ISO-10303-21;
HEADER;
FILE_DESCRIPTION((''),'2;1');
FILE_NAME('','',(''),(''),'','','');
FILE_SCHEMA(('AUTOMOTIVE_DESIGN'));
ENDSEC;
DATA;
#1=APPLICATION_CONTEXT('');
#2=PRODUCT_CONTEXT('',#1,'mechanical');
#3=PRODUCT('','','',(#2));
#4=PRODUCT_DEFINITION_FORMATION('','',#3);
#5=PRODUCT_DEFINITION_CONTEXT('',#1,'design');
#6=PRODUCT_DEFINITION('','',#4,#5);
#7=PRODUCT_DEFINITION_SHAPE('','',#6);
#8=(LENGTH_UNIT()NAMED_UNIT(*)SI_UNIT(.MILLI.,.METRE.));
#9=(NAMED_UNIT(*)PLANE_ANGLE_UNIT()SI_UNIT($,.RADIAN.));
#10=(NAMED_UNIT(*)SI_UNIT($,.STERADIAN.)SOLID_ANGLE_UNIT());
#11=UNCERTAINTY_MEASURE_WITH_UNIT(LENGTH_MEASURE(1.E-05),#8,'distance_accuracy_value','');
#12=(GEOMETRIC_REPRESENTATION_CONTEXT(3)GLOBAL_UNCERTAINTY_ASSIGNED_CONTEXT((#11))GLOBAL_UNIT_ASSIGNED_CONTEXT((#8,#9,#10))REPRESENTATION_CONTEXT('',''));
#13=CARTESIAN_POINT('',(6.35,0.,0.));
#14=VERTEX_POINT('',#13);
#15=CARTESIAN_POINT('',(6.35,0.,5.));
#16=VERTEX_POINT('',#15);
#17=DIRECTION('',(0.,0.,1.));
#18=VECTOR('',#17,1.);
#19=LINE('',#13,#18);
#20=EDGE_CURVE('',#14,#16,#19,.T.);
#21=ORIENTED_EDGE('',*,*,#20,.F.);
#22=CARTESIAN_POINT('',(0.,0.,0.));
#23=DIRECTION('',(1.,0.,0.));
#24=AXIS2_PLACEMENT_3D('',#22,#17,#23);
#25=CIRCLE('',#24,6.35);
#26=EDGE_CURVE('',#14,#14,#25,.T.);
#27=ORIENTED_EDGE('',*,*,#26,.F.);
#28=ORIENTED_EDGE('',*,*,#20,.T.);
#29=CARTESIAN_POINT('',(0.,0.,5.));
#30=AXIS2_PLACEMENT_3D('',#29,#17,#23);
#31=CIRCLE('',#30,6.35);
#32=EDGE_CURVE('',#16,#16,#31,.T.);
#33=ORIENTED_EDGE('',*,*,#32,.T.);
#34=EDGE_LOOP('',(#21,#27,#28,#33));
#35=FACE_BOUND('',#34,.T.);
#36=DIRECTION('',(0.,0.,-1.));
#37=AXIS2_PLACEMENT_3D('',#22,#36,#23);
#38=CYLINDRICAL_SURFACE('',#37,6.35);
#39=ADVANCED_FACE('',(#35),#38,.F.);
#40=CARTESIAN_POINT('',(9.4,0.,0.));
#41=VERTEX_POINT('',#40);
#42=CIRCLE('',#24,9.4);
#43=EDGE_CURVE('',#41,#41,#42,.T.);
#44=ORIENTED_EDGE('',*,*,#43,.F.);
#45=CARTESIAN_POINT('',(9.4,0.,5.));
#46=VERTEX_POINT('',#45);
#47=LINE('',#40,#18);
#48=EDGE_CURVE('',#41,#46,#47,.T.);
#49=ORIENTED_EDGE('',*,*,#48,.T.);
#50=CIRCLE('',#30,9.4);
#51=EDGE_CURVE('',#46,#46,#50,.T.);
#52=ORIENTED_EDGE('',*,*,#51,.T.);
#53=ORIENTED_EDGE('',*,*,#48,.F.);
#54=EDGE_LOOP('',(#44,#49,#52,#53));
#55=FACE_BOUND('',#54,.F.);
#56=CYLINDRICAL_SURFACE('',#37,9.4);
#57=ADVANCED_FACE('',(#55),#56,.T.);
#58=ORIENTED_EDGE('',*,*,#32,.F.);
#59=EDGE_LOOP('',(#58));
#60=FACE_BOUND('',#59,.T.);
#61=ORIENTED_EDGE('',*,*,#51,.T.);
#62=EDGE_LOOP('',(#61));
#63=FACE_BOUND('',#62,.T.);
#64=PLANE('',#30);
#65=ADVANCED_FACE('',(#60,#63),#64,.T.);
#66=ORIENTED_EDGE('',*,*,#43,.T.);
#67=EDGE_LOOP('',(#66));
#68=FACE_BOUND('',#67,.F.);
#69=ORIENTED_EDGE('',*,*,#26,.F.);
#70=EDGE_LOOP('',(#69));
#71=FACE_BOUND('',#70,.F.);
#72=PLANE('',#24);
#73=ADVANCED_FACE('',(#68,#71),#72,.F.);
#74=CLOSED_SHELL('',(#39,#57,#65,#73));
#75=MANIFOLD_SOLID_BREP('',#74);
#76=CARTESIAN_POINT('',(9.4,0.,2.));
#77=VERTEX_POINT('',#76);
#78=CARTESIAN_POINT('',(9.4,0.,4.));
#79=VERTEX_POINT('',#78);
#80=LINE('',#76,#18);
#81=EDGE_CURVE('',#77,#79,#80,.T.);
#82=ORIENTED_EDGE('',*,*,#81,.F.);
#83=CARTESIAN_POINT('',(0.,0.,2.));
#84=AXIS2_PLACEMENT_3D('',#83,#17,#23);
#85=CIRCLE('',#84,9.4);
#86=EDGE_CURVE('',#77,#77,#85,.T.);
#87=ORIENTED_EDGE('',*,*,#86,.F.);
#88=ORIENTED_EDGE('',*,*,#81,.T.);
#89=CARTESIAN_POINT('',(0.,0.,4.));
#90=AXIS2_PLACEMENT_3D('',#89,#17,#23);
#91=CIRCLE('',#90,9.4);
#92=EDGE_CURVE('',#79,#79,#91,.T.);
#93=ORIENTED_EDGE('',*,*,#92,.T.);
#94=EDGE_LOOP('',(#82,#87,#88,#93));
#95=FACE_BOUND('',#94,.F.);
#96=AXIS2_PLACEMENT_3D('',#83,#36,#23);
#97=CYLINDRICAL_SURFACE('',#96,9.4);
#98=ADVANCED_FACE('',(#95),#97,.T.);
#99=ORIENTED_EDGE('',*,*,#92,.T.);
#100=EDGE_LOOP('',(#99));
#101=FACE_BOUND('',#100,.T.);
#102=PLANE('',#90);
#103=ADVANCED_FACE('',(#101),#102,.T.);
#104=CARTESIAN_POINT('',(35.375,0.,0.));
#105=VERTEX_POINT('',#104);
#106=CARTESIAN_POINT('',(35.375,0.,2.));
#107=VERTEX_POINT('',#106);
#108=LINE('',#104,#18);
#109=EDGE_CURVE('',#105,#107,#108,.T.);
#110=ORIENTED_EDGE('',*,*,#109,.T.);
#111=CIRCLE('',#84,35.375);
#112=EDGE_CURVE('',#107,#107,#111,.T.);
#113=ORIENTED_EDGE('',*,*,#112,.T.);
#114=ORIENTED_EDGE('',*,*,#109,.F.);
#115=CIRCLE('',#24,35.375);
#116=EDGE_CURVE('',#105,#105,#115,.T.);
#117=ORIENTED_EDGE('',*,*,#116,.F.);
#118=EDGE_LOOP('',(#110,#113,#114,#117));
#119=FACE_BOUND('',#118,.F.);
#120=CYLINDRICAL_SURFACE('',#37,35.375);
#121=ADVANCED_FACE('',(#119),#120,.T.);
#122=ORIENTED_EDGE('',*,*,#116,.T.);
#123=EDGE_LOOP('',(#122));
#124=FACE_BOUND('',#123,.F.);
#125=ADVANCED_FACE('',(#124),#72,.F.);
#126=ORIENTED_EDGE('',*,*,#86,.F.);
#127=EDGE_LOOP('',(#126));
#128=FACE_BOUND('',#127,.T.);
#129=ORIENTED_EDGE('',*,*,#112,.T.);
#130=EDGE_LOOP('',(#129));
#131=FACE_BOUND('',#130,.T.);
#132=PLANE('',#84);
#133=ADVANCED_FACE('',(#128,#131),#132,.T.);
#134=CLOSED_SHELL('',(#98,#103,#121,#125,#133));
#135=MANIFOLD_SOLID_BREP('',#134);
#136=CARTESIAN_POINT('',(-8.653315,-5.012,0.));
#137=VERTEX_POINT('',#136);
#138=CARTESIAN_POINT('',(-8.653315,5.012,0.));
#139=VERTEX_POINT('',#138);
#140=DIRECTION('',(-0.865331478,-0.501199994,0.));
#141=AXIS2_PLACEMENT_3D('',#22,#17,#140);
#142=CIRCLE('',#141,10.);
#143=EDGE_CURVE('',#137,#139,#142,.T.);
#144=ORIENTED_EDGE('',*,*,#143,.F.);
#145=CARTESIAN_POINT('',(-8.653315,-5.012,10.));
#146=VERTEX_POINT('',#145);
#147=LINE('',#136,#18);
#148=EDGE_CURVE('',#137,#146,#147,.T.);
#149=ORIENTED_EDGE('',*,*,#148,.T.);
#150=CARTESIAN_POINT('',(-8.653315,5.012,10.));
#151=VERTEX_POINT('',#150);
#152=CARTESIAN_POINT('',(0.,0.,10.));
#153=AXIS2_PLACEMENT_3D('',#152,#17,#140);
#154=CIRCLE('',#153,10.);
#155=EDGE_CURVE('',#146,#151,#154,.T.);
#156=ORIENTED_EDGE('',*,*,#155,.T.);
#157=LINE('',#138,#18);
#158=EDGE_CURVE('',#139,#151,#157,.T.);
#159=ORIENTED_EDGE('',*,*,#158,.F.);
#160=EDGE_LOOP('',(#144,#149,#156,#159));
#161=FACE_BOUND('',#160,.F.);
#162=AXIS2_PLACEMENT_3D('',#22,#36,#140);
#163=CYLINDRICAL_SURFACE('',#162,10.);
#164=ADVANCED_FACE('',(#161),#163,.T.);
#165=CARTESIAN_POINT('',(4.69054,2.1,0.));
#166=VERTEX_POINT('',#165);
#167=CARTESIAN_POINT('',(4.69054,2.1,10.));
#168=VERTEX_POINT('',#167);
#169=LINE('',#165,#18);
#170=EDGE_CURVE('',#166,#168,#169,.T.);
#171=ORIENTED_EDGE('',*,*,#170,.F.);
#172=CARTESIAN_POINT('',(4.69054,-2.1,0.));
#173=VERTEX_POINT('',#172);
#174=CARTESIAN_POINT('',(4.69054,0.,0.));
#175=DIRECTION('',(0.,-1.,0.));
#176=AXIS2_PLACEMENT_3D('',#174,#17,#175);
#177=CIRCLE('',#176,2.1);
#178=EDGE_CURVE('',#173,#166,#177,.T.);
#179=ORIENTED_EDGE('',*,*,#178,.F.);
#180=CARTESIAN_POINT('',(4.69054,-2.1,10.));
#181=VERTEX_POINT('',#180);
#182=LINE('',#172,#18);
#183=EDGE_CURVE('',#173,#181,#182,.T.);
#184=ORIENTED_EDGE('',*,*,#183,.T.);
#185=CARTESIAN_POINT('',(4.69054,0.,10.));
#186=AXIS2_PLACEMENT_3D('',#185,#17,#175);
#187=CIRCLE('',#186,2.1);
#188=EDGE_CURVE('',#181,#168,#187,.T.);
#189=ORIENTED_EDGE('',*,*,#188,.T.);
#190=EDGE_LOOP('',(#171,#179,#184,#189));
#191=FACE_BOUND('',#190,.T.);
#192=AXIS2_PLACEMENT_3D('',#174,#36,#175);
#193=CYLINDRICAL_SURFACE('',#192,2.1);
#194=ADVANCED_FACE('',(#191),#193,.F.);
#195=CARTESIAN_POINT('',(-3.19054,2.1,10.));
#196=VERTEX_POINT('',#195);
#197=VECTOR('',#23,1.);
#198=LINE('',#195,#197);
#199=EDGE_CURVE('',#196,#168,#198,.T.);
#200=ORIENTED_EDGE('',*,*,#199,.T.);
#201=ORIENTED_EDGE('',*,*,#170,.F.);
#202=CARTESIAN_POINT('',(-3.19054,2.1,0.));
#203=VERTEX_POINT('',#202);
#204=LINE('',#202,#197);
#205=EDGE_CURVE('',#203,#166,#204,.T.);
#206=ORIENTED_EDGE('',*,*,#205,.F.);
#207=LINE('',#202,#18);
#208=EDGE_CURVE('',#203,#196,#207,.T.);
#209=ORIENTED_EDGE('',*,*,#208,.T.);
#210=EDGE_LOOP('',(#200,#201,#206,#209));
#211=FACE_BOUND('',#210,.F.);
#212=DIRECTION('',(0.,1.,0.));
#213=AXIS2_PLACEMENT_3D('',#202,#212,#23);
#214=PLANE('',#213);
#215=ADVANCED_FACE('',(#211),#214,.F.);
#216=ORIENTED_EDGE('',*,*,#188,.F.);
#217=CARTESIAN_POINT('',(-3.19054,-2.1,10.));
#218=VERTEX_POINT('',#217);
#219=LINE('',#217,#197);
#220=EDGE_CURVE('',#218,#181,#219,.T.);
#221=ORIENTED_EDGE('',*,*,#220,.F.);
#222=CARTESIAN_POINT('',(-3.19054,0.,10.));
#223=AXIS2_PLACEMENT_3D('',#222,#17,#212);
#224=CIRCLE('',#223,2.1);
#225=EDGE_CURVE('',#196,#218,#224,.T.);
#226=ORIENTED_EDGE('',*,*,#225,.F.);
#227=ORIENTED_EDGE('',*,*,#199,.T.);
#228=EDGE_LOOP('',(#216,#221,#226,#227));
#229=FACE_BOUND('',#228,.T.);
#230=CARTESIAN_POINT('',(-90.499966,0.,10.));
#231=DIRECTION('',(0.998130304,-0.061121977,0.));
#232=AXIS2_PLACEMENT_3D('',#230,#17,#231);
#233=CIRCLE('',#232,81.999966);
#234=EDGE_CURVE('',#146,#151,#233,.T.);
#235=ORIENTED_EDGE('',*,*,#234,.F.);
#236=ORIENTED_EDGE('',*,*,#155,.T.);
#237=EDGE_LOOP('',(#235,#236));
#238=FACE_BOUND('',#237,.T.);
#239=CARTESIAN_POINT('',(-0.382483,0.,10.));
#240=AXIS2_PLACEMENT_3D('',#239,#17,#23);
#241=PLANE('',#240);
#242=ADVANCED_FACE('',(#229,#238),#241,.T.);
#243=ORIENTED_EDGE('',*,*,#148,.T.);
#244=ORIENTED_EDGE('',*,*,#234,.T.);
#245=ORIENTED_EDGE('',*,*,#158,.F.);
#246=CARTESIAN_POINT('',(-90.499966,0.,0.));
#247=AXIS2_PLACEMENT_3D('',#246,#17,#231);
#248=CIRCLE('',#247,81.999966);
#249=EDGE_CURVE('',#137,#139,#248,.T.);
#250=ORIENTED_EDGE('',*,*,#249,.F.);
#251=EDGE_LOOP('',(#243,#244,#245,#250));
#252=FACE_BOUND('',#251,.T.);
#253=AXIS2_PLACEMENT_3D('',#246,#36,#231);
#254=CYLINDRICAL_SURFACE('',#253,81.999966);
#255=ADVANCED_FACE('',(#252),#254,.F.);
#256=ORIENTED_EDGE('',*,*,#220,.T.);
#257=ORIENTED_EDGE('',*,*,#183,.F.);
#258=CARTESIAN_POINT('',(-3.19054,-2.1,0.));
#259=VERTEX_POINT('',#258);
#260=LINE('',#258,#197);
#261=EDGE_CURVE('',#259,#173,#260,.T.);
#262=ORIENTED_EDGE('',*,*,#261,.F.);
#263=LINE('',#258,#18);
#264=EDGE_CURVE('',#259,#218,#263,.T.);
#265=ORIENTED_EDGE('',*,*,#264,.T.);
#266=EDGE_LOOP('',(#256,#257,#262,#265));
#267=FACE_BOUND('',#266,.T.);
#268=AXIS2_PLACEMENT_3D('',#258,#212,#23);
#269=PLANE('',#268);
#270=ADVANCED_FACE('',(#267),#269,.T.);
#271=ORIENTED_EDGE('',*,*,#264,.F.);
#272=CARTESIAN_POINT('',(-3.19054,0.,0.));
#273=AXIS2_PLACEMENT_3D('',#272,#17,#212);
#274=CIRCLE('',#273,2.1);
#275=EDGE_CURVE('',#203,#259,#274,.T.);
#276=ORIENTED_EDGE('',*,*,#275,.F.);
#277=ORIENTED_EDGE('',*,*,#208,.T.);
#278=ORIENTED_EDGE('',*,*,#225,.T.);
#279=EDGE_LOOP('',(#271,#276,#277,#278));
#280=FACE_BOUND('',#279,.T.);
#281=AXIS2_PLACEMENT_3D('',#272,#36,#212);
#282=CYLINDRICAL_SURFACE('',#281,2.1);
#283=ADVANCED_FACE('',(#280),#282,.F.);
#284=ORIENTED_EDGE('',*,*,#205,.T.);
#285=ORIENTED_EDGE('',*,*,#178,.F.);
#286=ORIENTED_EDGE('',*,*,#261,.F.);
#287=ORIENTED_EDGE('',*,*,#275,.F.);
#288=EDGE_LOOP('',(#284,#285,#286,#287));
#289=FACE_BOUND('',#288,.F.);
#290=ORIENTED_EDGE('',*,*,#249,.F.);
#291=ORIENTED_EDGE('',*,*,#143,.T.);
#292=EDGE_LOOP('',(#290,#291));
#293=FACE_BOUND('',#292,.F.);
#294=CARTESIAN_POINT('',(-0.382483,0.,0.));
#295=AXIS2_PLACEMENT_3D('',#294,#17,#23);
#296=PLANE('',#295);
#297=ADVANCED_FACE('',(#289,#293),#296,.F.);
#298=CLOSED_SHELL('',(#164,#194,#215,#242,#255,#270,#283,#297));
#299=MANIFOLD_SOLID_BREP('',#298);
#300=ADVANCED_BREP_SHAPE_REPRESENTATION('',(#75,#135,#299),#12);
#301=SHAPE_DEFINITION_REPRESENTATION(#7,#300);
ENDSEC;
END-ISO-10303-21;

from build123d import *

# Parameters (mm, degrees)
SKETCH_R      = 35.375
PAD_DEPTH     = 2
SKETCH001_R   = 9.4
PAD001_DEPTH  = 2
PAD002_DEPTH  = 10
SKETCH003_R   = 9.4
SKETCH003_R_2 = 6.35
PAD003_DEPTH  = 5


with BuildPart() as body:
    # Sketch (on XY_Plane of Origin) → Pad (new body)
    with BuildSketch(Plane.XY):
        Circle(SKETCH_R)
    extrude(amount=PAD_DEPTH)

    # Sketch001 (on Face3 of Pad) → Pad001 (join)
    with BuildSketch(Plane.XY.offset(2)):
        Circle(SKETCH001_R)
    extrude(amount=PAD001_DEPTH)


with BuildPart() as edge_block:
    # Sketch002 (on XY_Plane001 of Origin002) → Pad002 (new body)
    with BuildSketch(Plane.XY):
        with BuildLine():
            ThreePointArc((-8.653315, -5.012), (10, 0), (-8.653315, 5.012))
            ThreePointArc((-8.653315, -5.012), (-8.5, 0), (-8.653315, 5.012))
        make_face()
        with BuildLine():
            ThreePointArc((-3.19054, 2.1), (-5.29054, 0), (-3.19054, -2.1))
            Line((-3.19054, -2.1), (4.69054, -2.1))
            ThreePointArc((4.69054, -2.1), (6.79054, 0), (4.69054, 2.1))
            Line((-3.19054, 2.1), (4.69054, 2.1))
        make_face(mode=Mode.SUBTRACT)
    extrude(amount=PAD002_DEPTH)


with BuildPart() as centering_washer:
    # Sketch003 (on XY_Plane002 of Origin004) → Pad003 (new body)
    with BuildSketch(Plane.XY):
        Circle(SKETCH003_R)
        Circle(SKETCH003_R_2, mode=Mode.SUBTRACT)
    extrude(amount=PAD003_DEPTH)


solid = Compound([body.part, edge_block.part, centering_washer.part])
